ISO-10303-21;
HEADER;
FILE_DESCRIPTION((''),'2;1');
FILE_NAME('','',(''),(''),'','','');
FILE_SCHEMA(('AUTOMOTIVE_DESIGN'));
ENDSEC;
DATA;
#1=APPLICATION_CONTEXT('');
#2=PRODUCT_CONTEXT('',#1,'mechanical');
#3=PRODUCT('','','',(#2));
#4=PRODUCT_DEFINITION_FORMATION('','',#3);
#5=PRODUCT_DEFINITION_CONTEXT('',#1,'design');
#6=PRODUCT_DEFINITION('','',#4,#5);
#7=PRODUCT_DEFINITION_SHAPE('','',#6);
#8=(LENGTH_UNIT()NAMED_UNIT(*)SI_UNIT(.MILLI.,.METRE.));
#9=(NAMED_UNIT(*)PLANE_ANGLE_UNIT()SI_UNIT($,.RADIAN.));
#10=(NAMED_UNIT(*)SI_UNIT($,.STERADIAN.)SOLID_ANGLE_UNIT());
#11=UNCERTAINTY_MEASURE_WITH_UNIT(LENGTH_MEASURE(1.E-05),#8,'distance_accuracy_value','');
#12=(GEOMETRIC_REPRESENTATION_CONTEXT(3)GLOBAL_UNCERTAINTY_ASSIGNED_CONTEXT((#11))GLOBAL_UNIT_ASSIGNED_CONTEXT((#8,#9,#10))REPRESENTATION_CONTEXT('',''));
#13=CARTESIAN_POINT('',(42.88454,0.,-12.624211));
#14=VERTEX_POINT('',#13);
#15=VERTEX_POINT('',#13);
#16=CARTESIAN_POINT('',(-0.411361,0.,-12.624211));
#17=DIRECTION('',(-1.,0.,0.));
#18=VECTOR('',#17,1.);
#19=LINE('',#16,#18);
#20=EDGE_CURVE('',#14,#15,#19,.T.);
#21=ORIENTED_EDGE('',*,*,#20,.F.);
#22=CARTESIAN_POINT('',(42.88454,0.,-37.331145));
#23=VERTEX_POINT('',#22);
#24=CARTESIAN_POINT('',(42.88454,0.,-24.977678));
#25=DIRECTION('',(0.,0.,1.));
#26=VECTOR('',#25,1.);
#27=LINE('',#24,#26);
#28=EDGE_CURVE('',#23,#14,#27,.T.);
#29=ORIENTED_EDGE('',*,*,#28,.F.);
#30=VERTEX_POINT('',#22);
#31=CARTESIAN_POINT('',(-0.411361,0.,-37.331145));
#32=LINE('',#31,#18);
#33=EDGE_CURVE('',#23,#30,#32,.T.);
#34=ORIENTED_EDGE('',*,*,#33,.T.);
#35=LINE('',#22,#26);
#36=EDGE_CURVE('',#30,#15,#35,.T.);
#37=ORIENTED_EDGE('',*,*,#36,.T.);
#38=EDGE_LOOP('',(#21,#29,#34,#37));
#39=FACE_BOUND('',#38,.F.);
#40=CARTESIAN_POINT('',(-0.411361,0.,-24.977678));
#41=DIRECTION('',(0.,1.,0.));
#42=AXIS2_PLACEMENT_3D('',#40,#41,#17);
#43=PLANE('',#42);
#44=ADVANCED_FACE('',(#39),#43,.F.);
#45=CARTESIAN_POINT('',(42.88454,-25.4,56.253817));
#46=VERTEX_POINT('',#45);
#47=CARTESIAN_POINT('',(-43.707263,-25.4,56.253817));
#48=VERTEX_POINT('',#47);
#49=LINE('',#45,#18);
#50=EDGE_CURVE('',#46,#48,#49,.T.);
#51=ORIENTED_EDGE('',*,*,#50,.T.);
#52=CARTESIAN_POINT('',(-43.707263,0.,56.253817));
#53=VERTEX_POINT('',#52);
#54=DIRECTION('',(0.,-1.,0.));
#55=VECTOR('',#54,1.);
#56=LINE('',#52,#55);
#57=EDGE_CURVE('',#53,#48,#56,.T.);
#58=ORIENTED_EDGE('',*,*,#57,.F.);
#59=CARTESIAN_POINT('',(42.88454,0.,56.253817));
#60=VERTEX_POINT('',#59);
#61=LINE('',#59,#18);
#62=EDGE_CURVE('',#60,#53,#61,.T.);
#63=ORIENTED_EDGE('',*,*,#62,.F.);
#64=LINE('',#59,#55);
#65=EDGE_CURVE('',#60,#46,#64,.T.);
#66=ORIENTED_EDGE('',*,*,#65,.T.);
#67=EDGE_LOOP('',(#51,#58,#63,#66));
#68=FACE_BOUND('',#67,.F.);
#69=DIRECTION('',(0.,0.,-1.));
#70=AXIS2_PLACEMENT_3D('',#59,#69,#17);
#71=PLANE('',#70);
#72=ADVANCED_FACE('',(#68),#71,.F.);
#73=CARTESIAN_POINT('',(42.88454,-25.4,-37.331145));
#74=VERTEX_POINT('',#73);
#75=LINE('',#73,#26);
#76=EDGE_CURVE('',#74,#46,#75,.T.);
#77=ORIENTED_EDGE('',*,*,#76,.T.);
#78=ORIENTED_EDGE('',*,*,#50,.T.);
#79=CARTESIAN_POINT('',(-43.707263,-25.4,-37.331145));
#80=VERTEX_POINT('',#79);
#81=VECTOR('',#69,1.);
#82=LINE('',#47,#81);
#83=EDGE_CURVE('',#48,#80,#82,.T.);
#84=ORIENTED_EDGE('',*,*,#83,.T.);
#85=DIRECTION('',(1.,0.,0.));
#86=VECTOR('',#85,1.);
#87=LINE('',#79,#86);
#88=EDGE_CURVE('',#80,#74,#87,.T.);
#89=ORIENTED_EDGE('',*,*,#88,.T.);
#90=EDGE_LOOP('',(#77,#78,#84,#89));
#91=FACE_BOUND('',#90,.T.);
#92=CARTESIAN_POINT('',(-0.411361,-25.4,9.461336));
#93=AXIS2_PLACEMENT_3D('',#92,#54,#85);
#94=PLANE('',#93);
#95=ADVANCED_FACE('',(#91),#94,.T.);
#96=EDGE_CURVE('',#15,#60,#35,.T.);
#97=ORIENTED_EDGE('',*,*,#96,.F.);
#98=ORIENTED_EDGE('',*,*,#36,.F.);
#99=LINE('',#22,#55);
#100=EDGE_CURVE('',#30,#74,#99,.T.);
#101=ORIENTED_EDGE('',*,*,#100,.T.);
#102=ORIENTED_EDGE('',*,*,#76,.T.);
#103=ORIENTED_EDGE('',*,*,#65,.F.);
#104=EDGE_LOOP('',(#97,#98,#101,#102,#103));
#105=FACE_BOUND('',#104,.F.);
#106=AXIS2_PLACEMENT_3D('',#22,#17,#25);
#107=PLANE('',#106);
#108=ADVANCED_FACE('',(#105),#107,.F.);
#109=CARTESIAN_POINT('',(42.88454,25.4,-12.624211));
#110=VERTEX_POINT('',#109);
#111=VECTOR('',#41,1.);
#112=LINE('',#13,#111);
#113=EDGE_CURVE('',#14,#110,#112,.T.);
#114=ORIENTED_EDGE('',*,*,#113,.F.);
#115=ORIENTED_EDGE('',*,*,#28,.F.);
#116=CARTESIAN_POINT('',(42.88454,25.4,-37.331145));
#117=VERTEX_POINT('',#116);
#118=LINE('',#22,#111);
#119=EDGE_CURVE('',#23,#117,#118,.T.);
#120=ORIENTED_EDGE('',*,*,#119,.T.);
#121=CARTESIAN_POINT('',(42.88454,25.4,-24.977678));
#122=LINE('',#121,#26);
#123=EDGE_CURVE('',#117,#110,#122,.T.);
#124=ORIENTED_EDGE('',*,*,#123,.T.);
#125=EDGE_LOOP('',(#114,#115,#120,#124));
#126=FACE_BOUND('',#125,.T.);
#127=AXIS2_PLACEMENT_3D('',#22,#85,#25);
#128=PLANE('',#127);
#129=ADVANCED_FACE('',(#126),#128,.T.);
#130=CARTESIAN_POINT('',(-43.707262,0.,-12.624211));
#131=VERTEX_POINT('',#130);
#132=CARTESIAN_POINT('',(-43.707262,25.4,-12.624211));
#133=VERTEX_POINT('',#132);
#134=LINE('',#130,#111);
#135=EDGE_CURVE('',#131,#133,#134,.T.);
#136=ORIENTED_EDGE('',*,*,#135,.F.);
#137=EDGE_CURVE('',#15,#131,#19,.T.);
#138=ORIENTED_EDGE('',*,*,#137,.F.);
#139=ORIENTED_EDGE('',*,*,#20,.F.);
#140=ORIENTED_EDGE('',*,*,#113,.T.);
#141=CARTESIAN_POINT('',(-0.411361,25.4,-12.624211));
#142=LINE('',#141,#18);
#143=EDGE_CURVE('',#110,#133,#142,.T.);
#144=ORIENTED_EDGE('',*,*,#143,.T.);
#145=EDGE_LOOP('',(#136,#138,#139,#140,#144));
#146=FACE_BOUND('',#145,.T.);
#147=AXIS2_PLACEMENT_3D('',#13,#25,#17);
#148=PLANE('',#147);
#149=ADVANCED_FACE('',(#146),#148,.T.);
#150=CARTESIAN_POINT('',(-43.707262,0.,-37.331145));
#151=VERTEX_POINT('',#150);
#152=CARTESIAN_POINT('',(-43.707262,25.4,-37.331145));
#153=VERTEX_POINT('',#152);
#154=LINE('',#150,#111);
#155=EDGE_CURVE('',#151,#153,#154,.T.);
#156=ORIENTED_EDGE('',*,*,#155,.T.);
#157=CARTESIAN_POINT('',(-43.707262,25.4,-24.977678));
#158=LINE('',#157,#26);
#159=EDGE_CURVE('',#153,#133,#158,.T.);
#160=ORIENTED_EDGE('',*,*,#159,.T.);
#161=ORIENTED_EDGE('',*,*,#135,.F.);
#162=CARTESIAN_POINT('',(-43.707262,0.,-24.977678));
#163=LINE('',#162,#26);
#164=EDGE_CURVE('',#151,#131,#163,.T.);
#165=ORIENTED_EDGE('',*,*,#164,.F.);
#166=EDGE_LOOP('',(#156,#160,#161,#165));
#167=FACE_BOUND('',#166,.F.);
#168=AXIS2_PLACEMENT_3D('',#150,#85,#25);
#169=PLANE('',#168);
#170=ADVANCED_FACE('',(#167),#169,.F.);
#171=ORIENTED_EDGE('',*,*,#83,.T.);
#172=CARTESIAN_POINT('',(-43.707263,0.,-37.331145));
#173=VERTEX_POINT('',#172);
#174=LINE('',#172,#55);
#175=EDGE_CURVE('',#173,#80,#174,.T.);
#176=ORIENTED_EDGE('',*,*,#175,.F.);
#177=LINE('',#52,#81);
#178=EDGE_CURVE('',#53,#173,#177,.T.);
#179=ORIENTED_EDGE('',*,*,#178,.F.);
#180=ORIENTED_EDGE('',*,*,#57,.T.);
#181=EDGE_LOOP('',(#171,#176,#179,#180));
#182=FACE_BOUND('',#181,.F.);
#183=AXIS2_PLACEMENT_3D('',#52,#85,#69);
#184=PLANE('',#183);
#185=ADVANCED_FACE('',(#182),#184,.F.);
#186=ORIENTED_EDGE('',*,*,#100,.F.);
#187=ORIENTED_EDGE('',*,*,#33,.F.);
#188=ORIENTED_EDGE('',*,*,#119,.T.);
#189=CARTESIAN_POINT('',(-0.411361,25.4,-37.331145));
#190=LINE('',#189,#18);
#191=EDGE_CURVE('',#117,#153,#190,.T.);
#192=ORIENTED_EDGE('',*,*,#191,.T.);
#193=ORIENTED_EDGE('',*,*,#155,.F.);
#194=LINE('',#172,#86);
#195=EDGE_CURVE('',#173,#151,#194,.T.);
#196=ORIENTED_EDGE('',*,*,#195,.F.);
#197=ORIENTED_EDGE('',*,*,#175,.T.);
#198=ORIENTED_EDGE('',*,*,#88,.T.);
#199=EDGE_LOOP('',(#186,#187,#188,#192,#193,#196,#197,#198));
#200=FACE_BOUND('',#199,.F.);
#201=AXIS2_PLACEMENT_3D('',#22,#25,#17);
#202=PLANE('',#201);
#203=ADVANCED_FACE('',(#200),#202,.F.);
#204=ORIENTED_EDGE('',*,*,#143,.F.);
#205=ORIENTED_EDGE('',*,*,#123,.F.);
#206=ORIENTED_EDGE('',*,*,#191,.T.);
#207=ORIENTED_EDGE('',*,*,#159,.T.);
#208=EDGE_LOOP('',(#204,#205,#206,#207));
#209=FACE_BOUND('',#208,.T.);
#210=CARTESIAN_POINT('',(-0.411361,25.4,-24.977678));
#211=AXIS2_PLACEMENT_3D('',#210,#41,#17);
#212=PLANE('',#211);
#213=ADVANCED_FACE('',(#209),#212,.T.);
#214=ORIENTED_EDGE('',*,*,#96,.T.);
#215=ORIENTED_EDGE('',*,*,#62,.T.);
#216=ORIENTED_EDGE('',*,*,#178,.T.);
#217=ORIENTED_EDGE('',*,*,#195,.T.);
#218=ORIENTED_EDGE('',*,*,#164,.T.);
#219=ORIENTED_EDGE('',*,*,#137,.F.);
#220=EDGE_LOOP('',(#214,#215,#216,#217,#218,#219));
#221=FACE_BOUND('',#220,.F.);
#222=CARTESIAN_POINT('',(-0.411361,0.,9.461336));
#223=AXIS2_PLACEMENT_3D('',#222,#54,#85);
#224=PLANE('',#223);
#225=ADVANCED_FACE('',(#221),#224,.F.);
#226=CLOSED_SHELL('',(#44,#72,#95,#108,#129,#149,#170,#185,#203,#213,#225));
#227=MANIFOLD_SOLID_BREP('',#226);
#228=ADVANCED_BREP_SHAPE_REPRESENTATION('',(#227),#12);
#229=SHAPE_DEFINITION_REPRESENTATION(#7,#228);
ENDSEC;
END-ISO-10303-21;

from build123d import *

# Parameters (mm, degrees)
F1_DEPTH = 25.4
F2_W     = 86.591803
F2_H     = 24.706934
F3_DEPTH = 25.4


with BuildPart() as f1:
    # F0 (on Front) → F1 (new body)
    with BuildSketch(Plane.XZ):
        Polygon((-43.707263, 48.026573), (-43.707263, -24.373226), (-43.707263, -37.331145), (42.88454, -37.331145), (42.88454, -26.430039), (42.88454, 56.253817), (-43.707263, 56.253817), align=None)
    extrude(amount=F1_DEPTH)

    # F2 (on face) → F3 (join)
    with BuildSketch(Plane(origin=(0, 0, 0), x_dir=(-1, 0, 0), z_dir=(0, 1, 0))):
        with Locations((0.411361, -24.977678)):
            Rectangle(F2_W, F2_H)
    extrude(amount=F3_DEPTH)


solid = f1.part
